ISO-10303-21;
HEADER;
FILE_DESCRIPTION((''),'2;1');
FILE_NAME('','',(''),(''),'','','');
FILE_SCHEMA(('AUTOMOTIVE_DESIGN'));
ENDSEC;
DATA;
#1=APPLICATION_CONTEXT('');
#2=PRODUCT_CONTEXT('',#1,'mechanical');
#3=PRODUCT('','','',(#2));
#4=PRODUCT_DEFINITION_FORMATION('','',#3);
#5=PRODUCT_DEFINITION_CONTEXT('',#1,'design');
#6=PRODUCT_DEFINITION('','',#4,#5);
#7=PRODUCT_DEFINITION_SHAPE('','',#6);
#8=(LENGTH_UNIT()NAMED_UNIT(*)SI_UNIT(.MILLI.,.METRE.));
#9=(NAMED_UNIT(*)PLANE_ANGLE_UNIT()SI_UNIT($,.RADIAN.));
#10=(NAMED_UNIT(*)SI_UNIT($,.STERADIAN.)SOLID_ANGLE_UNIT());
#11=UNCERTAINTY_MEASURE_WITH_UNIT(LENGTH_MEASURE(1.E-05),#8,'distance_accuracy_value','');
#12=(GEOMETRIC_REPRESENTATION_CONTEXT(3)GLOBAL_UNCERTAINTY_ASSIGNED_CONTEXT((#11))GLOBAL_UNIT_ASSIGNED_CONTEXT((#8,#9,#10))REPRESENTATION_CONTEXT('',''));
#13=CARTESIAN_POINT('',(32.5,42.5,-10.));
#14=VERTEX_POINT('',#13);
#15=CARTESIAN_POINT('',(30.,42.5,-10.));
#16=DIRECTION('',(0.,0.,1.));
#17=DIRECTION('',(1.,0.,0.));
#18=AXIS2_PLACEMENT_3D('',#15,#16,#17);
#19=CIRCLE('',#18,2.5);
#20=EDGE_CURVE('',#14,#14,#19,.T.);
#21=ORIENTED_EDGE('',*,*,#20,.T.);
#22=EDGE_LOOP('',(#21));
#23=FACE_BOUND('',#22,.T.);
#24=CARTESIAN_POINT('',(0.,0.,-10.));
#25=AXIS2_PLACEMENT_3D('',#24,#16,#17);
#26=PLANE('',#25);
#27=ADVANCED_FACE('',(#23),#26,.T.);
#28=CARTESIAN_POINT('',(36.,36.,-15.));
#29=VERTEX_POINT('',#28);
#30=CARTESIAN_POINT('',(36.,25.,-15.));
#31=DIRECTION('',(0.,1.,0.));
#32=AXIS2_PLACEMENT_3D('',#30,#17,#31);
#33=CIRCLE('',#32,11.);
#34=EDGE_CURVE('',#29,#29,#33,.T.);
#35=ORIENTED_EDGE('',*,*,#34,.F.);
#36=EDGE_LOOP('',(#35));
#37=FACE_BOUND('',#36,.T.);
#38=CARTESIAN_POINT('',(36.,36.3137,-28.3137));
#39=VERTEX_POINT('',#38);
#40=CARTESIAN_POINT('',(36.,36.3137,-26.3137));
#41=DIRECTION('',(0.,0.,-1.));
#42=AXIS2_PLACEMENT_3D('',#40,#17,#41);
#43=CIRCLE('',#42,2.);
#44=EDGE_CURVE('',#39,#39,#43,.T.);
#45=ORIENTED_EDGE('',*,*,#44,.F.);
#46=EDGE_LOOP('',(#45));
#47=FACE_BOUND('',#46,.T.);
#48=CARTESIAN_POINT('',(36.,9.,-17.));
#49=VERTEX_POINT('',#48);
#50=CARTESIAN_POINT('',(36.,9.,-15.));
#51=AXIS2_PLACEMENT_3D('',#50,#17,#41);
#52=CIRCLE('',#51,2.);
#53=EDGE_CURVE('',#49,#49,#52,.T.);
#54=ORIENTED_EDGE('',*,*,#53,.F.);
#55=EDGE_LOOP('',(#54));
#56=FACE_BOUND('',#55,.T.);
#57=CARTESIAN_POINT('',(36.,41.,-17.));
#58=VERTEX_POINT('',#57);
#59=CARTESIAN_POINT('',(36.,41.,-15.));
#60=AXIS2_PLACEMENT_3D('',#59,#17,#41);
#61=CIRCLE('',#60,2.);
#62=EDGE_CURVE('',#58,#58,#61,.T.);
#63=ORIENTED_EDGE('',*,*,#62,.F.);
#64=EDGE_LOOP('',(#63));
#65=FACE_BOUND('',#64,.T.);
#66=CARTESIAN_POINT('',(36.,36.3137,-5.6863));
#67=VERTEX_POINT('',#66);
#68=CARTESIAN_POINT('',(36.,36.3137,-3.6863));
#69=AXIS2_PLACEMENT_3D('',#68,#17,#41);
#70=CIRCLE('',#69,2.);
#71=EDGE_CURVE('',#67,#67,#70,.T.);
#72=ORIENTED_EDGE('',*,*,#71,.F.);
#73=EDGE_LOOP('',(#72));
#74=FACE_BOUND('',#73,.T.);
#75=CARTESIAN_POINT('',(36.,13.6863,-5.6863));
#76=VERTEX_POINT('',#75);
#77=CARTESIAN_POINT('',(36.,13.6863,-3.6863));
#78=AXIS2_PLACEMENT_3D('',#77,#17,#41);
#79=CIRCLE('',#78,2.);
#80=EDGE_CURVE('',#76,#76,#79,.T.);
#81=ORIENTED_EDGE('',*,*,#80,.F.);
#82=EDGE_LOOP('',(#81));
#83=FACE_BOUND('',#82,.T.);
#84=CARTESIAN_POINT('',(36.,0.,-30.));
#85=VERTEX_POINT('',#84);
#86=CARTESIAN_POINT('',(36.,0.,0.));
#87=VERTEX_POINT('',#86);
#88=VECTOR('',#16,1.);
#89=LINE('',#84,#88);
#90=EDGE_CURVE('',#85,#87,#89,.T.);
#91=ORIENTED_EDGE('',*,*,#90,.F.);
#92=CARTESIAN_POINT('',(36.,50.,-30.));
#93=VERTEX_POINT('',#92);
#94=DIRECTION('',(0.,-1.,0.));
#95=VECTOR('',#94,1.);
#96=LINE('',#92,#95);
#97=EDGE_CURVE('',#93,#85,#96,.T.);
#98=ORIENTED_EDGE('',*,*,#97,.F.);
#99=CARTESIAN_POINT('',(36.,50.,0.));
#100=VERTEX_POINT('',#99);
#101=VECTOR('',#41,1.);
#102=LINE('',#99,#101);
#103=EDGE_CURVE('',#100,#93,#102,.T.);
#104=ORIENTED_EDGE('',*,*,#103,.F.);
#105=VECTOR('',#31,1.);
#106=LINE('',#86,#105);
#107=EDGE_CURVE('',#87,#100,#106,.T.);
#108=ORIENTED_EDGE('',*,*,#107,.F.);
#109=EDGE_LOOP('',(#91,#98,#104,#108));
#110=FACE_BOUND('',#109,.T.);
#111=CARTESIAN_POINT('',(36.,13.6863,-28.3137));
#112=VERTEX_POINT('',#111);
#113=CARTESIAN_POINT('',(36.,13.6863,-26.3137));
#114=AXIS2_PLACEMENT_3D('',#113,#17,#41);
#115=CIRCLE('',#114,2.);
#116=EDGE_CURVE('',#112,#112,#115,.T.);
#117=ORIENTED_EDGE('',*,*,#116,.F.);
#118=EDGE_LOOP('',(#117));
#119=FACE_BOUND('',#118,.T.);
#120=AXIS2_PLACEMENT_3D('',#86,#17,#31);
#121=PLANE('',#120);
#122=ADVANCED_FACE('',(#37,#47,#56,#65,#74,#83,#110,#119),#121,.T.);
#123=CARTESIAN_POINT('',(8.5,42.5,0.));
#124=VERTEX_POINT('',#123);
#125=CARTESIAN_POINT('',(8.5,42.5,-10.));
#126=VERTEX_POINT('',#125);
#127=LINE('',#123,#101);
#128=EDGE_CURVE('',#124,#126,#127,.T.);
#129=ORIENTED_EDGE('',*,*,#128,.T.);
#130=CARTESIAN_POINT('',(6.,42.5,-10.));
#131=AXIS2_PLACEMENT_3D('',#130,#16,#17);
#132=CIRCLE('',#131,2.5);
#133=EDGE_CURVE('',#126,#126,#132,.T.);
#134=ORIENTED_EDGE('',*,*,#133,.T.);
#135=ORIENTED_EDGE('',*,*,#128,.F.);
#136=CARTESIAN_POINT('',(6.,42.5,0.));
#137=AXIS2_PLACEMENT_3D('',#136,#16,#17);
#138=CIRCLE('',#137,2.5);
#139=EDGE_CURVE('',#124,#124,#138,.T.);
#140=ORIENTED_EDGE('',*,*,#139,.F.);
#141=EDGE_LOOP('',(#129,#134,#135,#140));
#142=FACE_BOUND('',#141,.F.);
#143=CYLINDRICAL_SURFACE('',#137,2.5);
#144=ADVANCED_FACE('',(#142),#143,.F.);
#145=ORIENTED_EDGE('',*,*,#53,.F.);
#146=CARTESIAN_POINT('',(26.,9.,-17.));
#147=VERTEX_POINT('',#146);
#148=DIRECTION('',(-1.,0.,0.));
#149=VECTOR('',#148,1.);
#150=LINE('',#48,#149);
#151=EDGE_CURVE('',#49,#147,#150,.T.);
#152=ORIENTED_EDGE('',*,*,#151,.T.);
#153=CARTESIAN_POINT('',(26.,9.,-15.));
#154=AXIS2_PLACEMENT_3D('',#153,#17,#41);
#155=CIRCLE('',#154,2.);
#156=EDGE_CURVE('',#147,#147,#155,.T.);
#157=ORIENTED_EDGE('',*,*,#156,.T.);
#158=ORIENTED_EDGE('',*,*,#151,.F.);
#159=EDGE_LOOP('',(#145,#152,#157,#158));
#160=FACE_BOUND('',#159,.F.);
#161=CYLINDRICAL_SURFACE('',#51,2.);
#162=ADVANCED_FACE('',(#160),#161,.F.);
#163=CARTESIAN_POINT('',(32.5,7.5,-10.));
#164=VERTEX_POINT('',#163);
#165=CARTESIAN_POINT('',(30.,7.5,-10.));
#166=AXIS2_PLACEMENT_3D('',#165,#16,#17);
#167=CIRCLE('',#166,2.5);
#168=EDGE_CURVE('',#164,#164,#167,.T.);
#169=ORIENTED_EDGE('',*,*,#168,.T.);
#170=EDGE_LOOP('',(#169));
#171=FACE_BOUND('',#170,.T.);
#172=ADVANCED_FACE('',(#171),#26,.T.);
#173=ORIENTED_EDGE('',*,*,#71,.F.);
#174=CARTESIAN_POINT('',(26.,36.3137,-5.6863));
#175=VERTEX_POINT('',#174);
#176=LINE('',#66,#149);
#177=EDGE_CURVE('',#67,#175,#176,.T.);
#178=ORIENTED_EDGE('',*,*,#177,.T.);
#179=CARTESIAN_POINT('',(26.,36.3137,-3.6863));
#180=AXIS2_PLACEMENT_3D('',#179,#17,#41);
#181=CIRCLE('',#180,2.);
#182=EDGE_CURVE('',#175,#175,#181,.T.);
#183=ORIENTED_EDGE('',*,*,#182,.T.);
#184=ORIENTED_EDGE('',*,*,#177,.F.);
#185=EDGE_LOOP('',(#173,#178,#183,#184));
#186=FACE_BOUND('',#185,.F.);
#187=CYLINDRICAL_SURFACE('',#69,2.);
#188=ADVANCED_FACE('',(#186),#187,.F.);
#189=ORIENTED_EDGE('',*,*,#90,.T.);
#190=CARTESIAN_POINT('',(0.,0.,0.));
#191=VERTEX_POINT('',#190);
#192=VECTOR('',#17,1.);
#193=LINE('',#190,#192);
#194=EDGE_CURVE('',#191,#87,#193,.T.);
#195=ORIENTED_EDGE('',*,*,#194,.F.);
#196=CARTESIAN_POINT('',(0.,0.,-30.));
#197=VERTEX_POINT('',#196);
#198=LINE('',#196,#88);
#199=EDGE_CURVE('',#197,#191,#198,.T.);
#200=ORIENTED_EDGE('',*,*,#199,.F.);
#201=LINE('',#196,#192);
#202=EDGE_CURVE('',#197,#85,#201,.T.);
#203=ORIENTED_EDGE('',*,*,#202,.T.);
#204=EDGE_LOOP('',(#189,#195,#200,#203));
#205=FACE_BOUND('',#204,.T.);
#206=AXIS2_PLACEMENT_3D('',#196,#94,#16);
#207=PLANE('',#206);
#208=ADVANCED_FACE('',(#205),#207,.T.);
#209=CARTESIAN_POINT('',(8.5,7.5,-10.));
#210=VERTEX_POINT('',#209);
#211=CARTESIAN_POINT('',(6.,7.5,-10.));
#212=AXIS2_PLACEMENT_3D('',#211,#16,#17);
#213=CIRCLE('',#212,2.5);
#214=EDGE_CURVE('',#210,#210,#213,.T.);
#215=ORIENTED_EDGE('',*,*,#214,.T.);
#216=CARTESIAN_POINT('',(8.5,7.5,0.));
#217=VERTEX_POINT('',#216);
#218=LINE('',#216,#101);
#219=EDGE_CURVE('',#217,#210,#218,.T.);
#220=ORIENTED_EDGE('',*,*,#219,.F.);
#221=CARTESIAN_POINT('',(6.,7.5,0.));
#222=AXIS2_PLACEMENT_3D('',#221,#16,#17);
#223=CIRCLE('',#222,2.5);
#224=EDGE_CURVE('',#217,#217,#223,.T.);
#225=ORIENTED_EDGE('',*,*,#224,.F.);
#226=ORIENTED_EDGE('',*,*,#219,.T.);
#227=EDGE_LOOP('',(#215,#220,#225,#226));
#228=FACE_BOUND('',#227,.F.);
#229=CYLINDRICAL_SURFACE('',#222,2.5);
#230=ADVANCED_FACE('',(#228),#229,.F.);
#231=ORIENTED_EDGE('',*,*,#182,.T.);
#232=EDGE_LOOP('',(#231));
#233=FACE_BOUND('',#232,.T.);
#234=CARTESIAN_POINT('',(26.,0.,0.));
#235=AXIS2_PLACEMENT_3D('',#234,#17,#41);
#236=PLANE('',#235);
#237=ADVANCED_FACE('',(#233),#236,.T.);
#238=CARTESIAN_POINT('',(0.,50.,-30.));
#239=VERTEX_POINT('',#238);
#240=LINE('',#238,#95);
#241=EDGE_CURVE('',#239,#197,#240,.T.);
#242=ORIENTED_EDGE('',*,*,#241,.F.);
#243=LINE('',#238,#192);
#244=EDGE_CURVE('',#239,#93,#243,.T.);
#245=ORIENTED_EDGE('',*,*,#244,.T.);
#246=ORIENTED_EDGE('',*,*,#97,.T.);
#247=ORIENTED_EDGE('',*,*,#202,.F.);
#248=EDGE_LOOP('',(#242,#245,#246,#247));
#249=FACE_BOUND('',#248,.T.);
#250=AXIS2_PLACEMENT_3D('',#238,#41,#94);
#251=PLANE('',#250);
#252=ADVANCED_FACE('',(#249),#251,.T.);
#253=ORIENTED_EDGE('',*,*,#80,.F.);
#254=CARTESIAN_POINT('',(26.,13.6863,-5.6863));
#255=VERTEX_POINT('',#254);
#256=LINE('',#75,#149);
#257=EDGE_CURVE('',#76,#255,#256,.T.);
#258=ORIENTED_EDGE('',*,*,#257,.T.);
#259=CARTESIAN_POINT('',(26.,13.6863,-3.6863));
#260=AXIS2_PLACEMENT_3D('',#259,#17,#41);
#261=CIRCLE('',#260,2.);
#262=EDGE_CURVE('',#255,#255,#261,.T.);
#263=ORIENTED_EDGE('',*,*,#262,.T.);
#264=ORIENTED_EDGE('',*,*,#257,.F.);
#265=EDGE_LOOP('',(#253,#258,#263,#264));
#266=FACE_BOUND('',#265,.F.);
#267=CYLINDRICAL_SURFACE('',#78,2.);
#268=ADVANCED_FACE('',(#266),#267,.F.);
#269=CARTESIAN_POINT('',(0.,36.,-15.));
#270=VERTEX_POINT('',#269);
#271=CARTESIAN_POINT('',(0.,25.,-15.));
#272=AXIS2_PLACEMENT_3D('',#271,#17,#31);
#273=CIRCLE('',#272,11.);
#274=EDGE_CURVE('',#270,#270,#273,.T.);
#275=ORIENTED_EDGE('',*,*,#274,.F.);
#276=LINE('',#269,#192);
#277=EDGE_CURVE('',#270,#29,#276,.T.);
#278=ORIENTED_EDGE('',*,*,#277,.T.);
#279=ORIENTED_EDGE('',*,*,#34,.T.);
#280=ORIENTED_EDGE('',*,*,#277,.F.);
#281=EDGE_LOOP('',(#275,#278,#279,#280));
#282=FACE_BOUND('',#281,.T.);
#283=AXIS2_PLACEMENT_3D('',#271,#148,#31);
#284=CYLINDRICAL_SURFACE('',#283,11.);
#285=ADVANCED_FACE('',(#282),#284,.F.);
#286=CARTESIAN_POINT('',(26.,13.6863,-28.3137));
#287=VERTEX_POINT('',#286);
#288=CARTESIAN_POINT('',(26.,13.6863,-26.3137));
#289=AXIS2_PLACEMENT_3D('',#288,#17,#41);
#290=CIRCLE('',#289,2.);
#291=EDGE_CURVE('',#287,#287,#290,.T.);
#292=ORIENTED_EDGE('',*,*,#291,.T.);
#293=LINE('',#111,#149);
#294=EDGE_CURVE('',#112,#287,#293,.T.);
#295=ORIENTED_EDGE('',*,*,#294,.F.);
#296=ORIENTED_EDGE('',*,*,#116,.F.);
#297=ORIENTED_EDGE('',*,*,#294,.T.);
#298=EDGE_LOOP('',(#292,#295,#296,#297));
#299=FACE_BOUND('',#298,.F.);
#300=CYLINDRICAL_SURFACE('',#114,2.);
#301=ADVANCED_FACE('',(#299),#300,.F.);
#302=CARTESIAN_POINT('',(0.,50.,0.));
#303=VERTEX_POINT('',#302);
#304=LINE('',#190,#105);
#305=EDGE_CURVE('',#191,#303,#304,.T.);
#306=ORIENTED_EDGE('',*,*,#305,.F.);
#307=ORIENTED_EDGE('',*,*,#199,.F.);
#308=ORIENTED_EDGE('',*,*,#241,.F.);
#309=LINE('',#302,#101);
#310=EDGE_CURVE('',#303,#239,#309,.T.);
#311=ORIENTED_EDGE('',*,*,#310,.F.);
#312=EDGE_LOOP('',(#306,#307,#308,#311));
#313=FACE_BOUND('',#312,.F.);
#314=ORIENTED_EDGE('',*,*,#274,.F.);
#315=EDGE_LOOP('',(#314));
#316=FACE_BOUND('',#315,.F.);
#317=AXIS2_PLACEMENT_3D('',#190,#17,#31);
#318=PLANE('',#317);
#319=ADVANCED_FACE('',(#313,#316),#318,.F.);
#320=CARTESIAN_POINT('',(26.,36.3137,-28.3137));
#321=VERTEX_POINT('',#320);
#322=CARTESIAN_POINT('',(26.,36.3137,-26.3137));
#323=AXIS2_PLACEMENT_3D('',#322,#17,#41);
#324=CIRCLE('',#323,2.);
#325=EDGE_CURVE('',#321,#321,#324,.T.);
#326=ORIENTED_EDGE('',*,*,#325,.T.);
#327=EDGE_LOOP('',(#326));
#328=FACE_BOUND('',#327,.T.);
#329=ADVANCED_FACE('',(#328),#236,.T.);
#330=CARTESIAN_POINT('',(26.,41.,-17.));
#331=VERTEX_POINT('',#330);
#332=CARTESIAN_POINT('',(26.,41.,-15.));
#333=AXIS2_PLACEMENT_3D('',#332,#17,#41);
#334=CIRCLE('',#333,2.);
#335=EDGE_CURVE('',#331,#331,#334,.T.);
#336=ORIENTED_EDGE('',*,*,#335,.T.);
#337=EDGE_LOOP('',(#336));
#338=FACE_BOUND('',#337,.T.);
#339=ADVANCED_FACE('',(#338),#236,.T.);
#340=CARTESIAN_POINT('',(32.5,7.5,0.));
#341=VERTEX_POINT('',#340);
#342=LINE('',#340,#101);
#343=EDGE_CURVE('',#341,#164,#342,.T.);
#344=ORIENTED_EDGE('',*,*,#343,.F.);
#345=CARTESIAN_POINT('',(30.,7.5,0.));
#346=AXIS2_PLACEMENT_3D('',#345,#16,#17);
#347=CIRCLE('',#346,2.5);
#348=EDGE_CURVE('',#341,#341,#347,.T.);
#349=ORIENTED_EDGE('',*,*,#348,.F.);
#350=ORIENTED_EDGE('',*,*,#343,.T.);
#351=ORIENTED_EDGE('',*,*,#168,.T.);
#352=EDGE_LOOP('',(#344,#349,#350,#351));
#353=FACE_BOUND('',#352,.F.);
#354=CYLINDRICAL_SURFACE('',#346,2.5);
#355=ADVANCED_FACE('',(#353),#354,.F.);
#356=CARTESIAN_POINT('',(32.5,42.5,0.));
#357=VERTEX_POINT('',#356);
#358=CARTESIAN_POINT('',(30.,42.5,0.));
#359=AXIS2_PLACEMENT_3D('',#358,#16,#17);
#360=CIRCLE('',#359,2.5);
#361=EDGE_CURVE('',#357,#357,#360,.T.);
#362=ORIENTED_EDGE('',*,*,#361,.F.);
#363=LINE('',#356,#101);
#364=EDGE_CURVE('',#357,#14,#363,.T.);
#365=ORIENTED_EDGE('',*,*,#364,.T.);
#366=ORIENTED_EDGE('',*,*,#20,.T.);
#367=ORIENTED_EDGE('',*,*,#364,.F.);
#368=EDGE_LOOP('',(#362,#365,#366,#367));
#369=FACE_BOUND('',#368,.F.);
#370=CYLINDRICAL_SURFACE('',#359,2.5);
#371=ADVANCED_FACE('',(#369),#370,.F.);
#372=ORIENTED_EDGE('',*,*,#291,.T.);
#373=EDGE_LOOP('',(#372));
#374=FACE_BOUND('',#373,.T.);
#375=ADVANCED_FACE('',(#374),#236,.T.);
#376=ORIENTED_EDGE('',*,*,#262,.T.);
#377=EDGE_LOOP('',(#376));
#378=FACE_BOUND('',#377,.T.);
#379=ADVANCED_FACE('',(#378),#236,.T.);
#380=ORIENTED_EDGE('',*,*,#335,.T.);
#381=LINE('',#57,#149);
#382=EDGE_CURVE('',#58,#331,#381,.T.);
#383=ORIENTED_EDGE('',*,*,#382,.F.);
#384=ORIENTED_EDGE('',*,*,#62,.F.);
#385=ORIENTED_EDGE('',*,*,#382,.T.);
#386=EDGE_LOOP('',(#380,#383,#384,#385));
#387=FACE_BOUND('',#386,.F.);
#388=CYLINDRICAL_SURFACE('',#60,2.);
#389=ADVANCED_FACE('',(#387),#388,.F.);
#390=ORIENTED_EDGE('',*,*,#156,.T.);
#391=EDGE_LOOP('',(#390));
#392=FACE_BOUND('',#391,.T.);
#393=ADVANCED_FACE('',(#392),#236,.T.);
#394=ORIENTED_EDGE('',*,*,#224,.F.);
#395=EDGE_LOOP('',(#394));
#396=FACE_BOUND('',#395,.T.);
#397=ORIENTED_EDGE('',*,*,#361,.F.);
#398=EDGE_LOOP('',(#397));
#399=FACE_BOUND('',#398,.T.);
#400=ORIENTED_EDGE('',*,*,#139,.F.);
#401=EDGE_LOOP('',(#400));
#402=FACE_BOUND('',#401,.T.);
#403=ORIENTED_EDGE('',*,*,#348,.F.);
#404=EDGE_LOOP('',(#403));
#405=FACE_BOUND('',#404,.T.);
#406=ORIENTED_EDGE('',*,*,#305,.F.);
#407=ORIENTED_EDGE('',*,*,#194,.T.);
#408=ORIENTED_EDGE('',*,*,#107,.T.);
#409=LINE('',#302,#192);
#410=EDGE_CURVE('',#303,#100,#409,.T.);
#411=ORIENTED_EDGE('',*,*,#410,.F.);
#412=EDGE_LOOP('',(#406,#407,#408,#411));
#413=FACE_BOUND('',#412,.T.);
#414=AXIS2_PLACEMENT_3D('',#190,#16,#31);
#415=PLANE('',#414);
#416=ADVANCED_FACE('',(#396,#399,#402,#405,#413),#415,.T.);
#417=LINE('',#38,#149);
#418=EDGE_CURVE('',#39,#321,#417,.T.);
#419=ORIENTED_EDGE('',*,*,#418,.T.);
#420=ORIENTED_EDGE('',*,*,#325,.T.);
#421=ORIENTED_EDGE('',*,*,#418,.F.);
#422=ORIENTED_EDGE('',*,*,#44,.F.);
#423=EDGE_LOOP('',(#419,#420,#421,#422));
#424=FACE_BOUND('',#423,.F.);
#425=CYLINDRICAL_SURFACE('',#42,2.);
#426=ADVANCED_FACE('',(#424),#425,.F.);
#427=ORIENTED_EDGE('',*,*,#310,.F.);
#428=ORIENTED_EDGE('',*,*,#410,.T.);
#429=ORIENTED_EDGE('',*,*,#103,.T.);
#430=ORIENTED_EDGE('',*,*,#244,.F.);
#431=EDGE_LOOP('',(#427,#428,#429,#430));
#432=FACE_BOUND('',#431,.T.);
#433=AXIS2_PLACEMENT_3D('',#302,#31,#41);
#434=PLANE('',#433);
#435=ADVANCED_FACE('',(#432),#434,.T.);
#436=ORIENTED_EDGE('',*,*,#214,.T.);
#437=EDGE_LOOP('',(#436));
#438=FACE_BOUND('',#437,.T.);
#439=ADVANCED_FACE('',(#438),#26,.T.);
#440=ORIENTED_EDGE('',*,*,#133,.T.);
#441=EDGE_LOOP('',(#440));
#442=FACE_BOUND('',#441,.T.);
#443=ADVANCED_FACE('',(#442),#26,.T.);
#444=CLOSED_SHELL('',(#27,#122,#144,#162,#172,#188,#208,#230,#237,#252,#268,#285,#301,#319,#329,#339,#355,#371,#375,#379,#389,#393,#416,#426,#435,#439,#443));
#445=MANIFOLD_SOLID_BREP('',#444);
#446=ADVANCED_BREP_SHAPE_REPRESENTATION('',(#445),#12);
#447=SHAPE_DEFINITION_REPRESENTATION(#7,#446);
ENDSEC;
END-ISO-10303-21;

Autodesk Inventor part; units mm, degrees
ref_plane "YZ Plane" through (0, 0, 0) normal (1, 0, 0) x (0, 1, 0)
ref_plane "XZ Plane" through (0, 0, 0) normal (0, 1, 0) x (-1, 0, 0)
ref_plane "XY Plane" through (0, 0, 0) normal (0, 0, 1) x (1, 0, 0)
sketch "Sketch1" plane through (0, 0, 0) normal (1, 0, 0) x (0, 1, 0)
  line L0 (0, 0) -> (50, 0)
  line L1 (50, 0) -> (50, -30)
  line L2 (50, -30) -> (0, -30)
  line L3 (0, -30) -> (0, 0)
  line L4 (50, 0) -> (0, -30) construction
  line L5 (0, 0) -> (50, -30) construction
  circle A0 centre (25, -15) radius 11
  dimension "d0" = 30
  dimension "d1" = 50
  dimension "d2" = 22
extrude "Extrusion1" add sketch "Sketch1" along normal blind 36
sketch "Sketch2" plane through (36, 0, 0) normal (1, 0, 0) x (0, 0, -1)
  circle A0 centre (15, 25) radius 11 projected
  circle A1 centre (15, 25) radius 16 construction
  circle A2 centre (15, 41) radius 2
  circle A3 centre (3.6863, 36.3137) radius 2
  circle A4 centre (-1, 25) radius 2
  circle A5 centre (3.6863, 13.6863) radius 2
  circle A6 centre (15, 9) radius 2
  circle A7 centre (26.3137, 13.6863) radius 2
  circle A8 centre (31, 25) radius 2
  circle A9 centre (26.3137, 36.3137) radius 2
  point P0 (0, 0)
  dimension "d5" = 32
  dimension "d6" = 4
  dimension "d9" = 360
extrude "Extrusion2" cut sketch "Sketch2" against normal blind 10 contours A2 | A3 | A5 | A6 | A7 | A9
sketch "Sketch3" plane through (0, 0, 0) normal (0, 0, 1) x (1, 0, 0)
  circle A0 centre (6, 42.5) radius 2.5
  circle A1 centre (30, 42.5) radius 2.5
  circle A2 centre (6, 7.5) radius 2.5
  circle A3 centre (30, 7.5) radius 2.5
  line L0 (30, 42.5) -> (30, 7.5) construction
  line L1 (36, 50) -> (36, 0) projected
  point P0 (0, 0)
  point P1 (30, 25)
  point P2 (36, 25)
  dimension "d13" = 5
  dimension "d14" = 6
  dimension "d16" = 24
  dimension "d17" = 35
extrude "Extrusion3" cut sketch "Sketch3" against normal blind 10
ref_plane "Work Plane1" through (18, 0, 0) normal (1, 0, 0) x (0, 0, -1)
properties part number "DSG12H - TO_MS_SPEC"
